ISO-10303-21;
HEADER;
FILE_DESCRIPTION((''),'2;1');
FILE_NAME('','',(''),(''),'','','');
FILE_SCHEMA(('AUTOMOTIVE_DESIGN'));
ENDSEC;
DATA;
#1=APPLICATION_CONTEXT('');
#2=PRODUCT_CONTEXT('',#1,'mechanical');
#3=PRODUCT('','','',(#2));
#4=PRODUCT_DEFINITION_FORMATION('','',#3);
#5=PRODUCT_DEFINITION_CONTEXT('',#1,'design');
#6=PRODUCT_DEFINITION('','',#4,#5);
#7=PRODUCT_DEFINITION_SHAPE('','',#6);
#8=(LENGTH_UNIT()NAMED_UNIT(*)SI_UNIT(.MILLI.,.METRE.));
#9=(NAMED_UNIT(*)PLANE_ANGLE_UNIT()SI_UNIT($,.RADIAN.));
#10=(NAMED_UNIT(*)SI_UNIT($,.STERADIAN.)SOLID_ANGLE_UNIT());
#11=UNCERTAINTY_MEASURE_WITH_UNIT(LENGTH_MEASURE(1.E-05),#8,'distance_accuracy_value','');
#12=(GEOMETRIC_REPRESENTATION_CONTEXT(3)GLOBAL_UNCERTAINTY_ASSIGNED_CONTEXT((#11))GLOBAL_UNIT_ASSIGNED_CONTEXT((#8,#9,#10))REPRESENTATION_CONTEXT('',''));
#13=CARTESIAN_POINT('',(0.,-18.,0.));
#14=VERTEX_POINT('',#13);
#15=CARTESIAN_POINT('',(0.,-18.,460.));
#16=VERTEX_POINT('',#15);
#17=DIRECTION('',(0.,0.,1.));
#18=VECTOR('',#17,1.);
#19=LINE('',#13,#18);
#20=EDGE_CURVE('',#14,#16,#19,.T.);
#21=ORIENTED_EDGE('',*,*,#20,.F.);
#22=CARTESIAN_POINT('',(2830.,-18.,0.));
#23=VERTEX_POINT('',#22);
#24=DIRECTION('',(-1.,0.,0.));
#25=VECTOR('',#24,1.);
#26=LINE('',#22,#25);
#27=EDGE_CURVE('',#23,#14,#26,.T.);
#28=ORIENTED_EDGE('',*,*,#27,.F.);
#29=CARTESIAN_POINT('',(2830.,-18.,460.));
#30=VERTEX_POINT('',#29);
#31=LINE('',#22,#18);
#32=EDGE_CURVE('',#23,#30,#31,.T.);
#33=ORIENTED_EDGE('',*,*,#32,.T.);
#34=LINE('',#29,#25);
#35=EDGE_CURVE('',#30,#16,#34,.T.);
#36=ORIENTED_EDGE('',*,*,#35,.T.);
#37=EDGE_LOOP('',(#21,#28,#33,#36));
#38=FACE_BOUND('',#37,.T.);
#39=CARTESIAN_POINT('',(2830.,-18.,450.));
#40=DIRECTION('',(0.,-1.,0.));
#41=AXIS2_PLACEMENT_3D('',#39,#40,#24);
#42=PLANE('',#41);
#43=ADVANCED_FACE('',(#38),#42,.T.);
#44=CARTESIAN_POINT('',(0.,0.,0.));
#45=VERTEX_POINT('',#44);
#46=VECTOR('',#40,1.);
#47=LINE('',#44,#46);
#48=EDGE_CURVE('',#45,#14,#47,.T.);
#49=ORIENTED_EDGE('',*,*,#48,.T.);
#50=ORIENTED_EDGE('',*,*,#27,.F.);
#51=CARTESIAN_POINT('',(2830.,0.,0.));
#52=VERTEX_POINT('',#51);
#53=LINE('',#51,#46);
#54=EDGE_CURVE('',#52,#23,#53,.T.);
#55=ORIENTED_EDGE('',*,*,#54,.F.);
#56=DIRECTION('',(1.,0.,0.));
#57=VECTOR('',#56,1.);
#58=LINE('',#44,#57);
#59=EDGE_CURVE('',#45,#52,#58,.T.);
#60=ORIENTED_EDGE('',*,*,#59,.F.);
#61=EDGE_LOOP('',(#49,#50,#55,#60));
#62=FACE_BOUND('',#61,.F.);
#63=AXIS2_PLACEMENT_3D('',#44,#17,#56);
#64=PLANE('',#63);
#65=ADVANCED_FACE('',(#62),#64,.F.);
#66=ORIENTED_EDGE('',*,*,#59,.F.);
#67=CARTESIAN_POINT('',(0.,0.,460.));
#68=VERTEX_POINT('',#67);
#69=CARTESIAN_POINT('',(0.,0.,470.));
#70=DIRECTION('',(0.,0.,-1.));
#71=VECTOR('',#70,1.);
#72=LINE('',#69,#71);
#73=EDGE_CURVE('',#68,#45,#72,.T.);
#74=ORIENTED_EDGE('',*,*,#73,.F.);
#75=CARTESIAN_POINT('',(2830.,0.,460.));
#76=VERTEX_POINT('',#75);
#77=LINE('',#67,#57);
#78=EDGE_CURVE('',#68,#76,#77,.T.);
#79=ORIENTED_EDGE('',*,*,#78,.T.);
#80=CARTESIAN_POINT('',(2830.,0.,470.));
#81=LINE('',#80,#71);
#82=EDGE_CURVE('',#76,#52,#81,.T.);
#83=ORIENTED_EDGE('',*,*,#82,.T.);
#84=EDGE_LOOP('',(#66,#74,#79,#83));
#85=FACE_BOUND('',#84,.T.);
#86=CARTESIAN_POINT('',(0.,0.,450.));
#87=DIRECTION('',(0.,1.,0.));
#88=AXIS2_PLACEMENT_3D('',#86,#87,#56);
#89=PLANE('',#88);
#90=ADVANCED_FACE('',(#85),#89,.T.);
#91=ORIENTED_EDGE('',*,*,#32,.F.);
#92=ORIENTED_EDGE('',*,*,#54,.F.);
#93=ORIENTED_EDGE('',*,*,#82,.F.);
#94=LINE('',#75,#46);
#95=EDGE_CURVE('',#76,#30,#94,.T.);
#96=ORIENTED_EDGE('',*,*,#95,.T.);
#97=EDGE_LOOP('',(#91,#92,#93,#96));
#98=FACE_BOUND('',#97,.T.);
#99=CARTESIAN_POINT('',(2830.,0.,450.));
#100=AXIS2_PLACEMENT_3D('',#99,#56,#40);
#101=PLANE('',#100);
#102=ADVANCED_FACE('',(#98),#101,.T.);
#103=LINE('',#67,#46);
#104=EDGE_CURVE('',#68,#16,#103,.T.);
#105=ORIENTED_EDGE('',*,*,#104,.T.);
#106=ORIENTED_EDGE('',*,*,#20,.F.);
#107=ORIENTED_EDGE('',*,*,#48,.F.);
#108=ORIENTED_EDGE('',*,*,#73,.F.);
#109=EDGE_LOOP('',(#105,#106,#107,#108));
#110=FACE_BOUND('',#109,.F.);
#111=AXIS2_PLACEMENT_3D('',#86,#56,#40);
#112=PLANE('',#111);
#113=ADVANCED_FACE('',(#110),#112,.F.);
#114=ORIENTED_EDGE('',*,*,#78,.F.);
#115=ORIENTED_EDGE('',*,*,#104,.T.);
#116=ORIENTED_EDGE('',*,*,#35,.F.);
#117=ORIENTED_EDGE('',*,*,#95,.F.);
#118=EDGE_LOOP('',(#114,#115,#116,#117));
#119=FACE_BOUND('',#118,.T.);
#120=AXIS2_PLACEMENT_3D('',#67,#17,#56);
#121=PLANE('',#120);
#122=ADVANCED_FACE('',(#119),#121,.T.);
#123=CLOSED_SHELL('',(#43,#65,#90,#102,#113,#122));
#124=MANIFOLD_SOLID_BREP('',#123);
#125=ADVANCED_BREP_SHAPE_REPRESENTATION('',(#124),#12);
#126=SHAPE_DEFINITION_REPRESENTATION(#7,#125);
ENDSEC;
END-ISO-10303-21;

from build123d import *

# Parameters (mm, degrees)
F0_W     = 47.8422194719
F0_H     = 47.8707104921
F1_DEPTH = 18
F2_DEPTH = 2830
F3_DEPTH = 500
F4_DEPTH = 50
F5_DEPTH = 50
F6_DEPTH = 20
F7_DEPTH = 10


with BuildPart() as f1:
    # F0 (on Front) → F1 (new body)
    with BuildSketch(Plane.XZ):
        with Locations((23.921109736, 23.9353552461)):
            Rectangle(F0_W, F0_H)
    extrude(amount=F1_DEPTH)

    # F2 (add): a face of the model
    f2_faces = [f1.faces().sort_by_distance(p)[0] for p in [
        (0, -9, 23.9353552461),
    ]]
    extrude(f2_faces, amount=-F2_DEPTH)

    # F3 (add): a face of the model
    f3_faces = [f1.faces().sort_by_distance(p)[0] for p in [
        (1415, -9, 0),
    ]]
    extrude(f3_faces, amount=-F3_DEPTH)

    # F4 (add): a face of the model
    f4_faces = [f1.faces().sort_by_distance(p)[0] for p in [
        (1415, -9, 500),
    ]]
    extrude(f4_faces, amount=-F4_DEPTH)

    # F5 (cut): a face of the model
    f5_faces = [f1.faces().sort_by_distance(p)[0] for p in [
        (1415, -9, 500),
    ]]
    extrude(f5_faces, amount=-F5_DEPTH, mode=Mode.SUBTRACT)

    # F6 (add): a face of the model
    f6_faces = [f1.faces().sort_by_distance(p)[0] for p in [
        (1415, -9, 450),
    ]]
    extrude(f6_faces, amount=F6_DEPTH)

    # F7 (cut): a face of the model
    f7_faces = [f1.faces().sort_by_distance(p)[0] for p in [
        (1415, -9, 470),
    ]]
    extrude(f7_faces, amount=-F7_DEPTH, mode=Mode.SUBTRACT)


solid = f1.part
